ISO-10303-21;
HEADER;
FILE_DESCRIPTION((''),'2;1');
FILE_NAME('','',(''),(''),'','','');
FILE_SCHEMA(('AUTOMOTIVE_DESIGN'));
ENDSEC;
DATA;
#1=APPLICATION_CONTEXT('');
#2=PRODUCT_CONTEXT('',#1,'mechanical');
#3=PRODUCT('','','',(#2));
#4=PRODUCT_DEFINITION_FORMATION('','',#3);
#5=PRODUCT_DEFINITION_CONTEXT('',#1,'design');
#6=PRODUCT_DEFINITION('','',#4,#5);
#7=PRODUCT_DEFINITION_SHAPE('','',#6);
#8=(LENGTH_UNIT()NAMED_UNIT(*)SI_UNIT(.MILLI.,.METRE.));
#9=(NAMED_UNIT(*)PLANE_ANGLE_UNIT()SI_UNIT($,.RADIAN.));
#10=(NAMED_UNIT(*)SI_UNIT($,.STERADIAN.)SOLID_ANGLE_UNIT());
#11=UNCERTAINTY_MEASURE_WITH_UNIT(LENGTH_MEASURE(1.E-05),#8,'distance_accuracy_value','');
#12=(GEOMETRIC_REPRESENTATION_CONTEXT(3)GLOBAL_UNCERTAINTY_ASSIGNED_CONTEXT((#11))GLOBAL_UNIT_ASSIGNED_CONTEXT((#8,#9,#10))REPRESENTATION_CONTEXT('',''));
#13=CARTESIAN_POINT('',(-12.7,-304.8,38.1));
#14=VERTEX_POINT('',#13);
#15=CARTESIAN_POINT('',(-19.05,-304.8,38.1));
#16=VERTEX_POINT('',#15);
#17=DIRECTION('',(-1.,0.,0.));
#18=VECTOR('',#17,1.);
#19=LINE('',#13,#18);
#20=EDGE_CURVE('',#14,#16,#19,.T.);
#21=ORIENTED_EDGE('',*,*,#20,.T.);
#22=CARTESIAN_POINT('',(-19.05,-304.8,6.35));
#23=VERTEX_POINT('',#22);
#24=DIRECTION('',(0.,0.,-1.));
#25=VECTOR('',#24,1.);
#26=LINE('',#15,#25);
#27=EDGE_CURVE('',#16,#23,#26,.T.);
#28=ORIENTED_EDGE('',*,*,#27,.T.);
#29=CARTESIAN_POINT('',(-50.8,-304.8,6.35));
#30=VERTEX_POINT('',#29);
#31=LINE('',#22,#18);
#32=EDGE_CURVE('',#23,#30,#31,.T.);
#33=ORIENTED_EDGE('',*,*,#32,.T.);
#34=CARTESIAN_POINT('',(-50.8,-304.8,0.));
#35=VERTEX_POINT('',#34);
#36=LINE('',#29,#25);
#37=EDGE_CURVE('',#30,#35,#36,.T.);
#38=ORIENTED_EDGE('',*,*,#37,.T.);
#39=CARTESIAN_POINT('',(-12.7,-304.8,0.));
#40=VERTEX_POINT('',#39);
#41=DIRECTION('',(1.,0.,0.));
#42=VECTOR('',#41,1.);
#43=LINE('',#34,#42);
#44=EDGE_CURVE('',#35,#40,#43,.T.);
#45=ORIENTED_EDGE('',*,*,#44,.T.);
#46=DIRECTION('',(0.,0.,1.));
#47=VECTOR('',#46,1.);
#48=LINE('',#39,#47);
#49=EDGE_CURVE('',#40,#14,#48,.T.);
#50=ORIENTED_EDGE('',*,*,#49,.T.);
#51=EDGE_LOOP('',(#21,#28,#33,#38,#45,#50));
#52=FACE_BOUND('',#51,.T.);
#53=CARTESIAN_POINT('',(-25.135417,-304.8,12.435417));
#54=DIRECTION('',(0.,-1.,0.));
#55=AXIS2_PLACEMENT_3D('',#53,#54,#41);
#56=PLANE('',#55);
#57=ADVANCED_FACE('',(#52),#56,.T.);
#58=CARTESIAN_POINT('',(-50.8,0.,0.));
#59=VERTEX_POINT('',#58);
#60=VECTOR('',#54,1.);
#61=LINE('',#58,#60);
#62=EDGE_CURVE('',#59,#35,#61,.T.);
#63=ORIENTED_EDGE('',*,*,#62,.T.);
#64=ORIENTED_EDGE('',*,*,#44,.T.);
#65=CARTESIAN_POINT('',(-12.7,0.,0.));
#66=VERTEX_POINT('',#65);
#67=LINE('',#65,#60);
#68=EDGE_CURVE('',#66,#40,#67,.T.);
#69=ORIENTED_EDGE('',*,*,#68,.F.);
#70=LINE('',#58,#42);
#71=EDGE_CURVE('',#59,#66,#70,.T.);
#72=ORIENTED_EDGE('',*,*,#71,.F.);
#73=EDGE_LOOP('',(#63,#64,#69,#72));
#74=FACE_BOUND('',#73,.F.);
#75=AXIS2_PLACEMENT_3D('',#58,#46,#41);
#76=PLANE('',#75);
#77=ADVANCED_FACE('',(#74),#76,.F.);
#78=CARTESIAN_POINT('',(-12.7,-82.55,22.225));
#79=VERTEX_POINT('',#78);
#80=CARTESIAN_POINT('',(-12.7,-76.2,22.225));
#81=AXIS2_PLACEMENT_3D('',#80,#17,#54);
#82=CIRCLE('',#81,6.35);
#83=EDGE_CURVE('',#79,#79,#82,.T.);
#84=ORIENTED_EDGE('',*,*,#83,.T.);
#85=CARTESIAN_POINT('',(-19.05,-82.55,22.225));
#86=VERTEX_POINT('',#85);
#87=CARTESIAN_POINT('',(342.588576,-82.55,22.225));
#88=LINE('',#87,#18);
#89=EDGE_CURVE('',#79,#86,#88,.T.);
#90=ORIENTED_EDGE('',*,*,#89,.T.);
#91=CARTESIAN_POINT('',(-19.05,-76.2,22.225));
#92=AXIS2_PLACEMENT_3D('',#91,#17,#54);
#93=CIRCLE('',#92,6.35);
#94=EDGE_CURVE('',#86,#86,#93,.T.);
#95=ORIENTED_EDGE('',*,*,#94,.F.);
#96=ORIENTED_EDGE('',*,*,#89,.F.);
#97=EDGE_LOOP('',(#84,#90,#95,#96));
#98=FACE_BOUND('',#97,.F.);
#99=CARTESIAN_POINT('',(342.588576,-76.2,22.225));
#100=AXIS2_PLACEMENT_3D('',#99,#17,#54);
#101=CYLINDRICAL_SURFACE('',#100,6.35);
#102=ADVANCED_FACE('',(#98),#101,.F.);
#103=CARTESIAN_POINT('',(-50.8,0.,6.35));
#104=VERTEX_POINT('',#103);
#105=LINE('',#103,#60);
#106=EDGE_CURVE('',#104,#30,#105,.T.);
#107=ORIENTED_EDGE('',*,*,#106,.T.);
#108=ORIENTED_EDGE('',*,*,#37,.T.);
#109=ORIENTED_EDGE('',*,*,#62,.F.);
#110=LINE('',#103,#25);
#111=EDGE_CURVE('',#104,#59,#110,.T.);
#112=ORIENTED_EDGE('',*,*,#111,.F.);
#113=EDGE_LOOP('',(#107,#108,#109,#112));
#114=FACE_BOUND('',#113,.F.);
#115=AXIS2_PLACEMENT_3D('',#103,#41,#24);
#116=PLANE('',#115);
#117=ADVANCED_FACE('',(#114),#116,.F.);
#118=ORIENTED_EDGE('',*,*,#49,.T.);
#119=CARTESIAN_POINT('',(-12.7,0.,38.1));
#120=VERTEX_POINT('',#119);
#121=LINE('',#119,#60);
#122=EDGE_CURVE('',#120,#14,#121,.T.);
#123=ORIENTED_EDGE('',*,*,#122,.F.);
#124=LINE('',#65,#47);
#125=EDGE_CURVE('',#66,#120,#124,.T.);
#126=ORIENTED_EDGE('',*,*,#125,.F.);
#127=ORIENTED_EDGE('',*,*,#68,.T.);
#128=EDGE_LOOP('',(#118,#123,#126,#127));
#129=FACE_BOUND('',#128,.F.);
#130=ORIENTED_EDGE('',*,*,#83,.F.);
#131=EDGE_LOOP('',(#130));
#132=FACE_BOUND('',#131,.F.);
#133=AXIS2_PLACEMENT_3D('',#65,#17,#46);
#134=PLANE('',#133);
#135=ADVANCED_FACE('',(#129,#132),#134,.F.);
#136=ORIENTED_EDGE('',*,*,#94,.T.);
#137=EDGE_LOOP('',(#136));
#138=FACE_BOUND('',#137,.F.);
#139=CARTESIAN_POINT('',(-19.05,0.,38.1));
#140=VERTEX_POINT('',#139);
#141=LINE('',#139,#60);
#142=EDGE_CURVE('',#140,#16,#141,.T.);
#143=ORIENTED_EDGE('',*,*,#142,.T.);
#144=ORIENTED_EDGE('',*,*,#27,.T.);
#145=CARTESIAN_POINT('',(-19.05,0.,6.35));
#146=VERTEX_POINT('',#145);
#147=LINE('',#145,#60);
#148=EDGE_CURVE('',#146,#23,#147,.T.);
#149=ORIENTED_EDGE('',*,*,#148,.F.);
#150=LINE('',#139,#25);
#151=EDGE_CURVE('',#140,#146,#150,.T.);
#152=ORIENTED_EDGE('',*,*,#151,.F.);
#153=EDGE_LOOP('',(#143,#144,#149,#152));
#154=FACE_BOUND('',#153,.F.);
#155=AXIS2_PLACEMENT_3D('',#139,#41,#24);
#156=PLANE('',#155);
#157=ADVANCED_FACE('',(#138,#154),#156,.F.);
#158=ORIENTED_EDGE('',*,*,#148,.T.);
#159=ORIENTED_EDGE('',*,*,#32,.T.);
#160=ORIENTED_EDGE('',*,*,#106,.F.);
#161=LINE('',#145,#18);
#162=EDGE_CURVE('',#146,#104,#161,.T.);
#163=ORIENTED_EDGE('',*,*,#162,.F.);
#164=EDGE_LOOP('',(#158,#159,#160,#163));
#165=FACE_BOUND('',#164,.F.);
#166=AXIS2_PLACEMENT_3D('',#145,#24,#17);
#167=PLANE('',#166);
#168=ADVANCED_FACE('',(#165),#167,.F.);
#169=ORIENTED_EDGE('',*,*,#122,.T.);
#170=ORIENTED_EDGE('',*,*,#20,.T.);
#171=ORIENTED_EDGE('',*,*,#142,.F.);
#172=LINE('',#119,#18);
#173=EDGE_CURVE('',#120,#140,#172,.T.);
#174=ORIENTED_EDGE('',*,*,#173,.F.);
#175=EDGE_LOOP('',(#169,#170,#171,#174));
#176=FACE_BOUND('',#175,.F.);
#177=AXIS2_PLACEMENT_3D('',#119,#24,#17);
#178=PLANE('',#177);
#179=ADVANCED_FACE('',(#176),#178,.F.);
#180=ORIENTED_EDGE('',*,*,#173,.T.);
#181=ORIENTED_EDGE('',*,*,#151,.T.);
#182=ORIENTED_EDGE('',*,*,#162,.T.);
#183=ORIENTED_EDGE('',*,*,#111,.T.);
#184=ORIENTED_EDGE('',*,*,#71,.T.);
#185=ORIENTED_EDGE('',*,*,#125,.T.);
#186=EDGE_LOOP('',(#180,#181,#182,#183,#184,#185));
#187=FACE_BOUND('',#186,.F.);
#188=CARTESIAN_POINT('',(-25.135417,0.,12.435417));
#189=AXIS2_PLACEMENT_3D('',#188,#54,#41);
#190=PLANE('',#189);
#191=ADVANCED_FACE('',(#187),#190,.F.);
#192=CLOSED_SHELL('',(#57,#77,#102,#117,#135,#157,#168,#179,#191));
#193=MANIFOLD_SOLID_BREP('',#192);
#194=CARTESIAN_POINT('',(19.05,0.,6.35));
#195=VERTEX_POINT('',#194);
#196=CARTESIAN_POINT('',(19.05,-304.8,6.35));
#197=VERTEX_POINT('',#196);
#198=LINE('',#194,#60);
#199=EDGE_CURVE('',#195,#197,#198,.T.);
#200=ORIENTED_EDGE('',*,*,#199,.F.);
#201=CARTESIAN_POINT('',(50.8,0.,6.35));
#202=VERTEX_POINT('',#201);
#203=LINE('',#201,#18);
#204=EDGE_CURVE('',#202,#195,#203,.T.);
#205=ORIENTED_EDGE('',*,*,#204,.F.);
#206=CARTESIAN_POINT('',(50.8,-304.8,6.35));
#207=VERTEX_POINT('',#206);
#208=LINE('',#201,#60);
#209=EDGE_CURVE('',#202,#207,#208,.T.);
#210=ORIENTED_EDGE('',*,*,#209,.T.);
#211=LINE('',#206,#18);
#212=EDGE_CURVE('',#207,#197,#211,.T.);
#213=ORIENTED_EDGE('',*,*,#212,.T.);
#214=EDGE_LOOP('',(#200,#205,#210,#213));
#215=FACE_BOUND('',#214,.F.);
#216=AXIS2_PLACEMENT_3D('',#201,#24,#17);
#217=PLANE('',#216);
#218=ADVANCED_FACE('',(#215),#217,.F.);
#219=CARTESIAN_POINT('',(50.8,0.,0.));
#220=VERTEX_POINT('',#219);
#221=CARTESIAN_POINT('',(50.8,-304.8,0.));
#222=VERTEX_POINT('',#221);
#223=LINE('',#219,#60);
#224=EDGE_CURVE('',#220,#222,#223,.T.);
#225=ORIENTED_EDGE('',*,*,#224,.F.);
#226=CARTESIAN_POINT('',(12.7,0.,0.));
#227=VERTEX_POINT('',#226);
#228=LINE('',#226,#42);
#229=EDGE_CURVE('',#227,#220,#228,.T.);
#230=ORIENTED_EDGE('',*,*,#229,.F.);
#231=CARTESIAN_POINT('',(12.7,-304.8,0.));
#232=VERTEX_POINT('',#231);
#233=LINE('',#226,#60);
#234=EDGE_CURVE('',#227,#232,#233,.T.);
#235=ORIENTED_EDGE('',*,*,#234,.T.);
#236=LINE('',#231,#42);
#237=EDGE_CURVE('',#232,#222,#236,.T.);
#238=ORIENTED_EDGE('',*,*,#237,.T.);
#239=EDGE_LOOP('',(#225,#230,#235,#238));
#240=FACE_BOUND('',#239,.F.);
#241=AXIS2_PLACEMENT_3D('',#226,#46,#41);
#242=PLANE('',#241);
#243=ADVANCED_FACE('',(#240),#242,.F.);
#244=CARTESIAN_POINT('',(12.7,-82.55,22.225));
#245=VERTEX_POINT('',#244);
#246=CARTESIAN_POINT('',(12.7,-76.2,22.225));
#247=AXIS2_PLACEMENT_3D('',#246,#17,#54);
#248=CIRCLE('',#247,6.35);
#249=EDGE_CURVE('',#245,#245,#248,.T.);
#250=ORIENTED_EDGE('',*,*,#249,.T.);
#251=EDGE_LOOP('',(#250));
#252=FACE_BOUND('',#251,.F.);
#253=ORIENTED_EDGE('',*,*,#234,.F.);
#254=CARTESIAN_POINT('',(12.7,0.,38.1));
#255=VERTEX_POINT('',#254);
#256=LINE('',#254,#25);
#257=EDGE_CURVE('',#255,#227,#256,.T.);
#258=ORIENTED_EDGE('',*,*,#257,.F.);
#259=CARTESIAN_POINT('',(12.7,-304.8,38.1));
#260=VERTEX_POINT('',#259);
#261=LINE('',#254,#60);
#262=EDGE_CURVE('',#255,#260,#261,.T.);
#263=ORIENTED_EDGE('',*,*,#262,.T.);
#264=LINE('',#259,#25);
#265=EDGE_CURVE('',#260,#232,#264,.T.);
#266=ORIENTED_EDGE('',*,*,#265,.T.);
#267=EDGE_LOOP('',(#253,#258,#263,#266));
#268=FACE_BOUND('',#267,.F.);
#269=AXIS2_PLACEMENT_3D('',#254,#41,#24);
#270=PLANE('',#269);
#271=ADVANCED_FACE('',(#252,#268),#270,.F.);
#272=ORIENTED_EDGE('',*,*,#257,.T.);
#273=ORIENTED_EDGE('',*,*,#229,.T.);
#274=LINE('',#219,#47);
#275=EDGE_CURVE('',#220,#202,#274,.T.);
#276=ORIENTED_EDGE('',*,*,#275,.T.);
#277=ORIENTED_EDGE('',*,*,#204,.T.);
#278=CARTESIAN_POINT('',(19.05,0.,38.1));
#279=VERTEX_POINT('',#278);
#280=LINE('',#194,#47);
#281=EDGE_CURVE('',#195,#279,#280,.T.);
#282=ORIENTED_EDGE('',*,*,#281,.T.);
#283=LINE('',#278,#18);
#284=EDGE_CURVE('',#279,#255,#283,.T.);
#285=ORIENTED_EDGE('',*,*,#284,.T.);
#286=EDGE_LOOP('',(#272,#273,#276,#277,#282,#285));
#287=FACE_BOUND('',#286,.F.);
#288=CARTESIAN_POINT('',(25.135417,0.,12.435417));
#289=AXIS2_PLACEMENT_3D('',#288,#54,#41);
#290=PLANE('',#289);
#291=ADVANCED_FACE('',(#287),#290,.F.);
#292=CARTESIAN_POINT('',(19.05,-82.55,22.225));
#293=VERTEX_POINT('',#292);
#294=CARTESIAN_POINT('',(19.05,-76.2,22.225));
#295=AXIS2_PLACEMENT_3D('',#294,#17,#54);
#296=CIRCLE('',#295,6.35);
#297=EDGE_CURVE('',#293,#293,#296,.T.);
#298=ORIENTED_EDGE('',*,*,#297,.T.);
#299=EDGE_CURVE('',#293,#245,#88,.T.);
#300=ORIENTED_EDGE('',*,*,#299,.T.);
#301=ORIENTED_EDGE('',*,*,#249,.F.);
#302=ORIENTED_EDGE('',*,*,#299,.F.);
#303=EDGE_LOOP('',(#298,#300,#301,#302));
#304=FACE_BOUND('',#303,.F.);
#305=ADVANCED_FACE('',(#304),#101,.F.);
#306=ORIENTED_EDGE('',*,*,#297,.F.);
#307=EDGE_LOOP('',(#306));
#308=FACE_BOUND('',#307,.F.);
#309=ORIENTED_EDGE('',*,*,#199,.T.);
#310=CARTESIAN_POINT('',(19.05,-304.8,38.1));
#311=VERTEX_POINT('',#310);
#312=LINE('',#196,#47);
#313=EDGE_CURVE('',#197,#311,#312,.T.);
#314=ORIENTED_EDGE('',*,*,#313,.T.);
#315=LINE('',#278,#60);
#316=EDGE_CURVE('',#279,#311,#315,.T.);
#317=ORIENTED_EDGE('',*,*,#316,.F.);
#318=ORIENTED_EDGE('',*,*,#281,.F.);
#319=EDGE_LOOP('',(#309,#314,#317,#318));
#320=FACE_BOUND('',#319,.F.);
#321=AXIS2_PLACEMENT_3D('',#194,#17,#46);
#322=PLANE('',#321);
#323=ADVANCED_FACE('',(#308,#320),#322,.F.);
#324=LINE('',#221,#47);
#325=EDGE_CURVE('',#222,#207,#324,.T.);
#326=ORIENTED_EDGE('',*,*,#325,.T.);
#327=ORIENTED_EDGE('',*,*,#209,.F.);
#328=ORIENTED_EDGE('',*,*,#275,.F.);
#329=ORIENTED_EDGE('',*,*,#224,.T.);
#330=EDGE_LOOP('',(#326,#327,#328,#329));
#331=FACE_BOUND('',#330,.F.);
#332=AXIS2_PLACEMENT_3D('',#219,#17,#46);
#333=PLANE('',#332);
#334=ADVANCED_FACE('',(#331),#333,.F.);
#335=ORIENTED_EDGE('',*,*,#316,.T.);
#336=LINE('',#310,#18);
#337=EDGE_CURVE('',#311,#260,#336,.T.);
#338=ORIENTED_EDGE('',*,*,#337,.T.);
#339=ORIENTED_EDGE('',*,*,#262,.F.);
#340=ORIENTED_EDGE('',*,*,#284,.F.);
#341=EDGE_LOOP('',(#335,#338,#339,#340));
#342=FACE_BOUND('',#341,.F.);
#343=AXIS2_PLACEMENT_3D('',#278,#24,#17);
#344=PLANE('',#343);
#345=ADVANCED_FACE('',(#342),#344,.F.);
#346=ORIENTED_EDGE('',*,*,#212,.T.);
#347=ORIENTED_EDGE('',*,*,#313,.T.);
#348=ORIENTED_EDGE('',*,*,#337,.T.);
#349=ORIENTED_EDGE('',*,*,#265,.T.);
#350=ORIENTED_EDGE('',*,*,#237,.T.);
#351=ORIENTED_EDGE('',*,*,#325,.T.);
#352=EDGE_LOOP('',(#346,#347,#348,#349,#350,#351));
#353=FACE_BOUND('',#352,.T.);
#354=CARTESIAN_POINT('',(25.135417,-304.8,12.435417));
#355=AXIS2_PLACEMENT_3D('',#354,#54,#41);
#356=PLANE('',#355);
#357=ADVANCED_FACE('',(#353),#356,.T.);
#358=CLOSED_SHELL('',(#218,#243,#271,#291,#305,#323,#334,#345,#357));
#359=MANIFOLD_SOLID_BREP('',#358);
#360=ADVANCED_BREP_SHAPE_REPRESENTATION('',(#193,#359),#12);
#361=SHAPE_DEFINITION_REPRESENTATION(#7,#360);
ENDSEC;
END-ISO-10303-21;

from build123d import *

# Parameters (mm, degrees)
F1_DEPTH = 304.8
F3_D     = 12.7


with BuildPart() as f1:
    # F0 (on Front) → F1 (new body)
    with BuildSketch(Plane.XZ):
        Polygon((-50.8, 0), (-12.7, 0), (-12.7, 38.1), (-19.05, 38.1), (-19.05, 6.35), (-50.8, 6.35), align=None)
        Polygon((12.7, 38.1), (12.7, 0), (50.8, 0), (50.8, 6.35), (19.05, 6.35), (19.05, 38.1), align=None)
    extrude(amount=F1_DEPTH)

    # F3 (through all)
    with Locations(Plane.YZ.offset(19.05)):
        with Locations((-76.2, 22.225)):
            Hole(F3_D / 2)


solid = f1.part
